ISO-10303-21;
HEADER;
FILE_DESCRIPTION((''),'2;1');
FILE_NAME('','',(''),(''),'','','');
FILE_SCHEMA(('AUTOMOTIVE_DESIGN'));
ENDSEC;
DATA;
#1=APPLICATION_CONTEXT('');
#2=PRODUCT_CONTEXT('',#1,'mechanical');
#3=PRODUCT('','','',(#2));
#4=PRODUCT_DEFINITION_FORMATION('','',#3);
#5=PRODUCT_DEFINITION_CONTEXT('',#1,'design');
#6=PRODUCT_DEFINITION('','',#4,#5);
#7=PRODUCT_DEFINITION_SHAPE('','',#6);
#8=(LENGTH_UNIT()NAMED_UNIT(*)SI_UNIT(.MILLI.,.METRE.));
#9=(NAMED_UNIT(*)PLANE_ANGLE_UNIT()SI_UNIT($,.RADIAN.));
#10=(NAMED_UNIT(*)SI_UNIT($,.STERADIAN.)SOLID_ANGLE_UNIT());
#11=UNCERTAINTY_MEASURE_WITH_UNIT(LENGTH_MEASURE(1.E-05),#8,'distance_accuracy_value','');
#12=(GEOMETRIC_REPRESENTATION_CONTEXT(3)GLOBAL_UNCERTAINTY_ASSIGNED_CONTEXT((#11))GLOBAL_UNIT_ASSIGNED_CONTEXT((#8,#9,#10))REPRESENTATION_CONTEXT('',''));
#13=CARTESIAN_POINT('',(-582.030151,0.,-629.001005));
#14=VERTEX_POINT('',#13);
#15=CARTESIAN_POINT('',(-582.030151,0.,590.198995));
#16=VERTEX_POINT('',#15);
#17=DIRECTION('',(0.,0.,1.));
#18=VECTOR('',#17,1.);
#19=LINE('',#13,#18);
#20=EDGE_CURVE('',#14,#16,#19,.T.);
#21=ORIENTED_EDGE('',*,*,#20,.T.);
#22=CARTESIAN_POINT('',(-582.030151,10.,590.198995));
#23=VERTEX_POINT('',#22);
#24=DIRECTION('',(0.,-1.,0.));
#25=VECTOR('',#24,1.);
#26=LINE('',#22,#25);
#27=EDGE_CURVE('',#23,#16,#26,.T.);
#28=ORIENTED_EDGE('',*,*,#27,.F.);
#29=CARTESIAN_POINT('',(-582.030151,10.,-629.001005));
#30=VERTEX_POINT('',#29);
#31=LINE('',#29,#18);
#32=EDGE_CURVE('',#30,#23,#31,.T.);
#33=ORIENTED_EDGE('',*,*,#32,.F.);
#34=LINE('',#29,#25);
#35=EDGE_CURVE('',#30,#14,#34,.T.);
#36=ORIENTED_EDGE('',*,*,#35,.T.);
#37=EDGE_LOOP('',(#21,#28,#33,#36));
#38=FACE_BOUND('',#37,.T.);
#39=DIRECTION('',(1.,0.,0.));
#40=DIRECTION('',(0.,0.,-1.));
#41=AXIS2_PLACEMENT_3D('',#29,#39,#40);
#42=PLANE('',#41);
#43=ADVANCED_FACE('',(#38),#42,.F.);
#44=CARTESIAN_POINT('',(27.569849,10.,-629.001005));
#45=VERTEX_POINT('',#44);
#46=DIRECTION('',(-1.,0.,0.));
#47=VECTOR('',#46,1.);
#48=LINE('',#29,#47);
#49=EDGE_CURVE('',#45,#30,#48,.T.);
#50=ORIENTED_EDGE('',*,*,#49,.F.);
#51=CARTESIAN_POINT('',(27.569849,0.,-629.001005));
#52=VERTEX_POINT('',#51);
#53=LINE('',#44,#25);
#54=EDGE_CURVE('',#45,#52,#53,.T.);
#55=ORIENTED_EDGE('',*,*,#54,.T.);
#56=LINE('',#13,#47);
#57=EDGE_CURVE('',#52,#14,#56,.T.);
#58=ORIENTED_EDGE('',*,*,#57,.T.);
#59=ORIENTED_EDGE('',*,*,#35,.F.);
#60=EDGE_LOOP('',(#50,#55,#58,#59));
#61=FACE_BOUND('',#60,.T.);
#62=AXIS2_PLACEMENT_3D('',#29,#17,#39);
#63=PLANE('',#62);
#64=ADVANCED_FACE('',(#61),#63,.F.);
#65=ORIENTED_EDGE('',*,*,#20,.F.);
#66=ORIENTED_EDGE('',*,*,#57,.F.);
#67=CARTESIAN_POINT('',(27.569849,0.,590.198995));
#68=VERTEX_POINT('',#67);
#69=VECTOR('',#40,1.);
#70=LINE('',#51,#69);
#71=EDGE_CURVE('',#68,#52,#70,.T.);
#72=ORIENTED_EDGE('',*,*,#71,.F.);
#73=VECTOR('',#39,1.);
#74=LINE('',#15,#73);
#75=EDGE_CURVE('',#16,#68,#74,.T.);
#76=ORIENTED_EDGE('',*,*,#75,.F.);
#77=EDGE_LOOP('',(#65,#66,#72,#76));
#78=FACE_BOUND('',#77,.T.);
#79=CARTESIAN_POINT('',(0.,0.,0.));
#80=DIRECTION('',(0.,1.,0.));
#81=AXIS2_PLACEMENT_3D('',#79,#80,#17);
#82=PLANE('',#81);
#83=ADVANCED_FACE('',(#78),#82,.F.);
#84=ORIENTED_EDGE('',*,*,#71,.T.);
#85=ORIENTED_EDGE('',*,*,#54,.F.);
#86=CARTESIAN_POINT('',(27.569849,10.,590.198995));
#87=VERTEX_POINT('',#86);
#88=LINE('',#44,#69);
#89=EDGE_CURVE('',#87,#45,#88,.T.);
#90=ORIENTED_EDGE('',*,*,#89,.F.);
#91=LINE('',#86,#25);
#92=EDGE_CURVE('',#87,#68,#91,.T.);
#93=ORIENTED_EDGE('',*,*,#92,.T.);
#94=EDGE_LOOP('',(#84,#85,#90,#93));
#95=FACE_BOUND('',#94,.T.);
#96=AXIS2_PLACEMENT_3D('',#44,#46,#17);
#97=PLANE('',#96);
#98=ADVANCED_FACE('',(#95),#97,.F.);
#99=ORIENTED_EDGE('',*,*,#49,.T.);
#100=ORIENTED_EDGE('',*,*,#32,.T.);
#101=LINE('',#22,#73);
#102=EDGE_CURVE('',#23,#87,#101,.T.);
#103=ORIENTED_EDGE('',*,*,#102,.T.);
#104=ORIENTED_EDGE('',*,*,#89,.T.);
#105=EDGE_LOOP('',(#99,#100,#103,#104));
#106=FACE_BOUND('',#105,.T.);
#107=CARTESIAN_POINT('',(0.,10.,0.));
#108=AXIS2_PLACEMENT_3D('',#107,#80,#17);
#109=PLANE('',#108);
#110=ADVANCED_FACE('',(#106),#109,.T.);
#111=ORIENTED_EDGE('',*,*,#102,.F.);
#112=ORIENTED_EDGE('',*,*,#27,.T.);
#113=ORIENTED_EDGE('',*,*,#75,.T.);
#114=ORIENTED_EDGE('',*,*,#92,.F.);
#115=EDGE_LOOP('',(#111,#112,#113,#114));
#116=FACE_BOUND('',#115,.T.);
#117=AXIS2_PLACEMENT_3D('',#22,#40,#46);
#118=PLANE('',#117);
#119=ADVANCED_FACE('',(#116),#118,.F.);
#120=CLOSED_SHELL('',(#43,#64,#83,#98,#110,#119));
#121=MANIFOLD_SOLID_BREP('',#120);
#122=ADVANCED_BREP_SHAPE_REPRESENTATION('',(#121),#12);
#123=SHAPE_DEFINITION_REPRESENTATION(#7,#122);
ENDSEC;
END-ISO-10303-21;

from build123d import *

# Parameters (mm, degrees)
SKETCH1_W           = 609.6
SKETCH1_H           = 1219.2
BOSS_EXTRUDE1_DEPTH = 10


with BuildPart() as part:
    # Sketch1 → Boss-Extrude1 (new body)
    with BuildSketch(Plane(origin=(0, 0, 0), x_dir=(1, 0, 0), z_dir=(0, 1, 0))):
        with Locations((-277.230150754, 19.401005025)):
            Rectangle(SKETCH1_W, SKETCH1_H)
    extrude(amount=BOSS_EXTRUDE1_DEPTH)


solid = part.part
